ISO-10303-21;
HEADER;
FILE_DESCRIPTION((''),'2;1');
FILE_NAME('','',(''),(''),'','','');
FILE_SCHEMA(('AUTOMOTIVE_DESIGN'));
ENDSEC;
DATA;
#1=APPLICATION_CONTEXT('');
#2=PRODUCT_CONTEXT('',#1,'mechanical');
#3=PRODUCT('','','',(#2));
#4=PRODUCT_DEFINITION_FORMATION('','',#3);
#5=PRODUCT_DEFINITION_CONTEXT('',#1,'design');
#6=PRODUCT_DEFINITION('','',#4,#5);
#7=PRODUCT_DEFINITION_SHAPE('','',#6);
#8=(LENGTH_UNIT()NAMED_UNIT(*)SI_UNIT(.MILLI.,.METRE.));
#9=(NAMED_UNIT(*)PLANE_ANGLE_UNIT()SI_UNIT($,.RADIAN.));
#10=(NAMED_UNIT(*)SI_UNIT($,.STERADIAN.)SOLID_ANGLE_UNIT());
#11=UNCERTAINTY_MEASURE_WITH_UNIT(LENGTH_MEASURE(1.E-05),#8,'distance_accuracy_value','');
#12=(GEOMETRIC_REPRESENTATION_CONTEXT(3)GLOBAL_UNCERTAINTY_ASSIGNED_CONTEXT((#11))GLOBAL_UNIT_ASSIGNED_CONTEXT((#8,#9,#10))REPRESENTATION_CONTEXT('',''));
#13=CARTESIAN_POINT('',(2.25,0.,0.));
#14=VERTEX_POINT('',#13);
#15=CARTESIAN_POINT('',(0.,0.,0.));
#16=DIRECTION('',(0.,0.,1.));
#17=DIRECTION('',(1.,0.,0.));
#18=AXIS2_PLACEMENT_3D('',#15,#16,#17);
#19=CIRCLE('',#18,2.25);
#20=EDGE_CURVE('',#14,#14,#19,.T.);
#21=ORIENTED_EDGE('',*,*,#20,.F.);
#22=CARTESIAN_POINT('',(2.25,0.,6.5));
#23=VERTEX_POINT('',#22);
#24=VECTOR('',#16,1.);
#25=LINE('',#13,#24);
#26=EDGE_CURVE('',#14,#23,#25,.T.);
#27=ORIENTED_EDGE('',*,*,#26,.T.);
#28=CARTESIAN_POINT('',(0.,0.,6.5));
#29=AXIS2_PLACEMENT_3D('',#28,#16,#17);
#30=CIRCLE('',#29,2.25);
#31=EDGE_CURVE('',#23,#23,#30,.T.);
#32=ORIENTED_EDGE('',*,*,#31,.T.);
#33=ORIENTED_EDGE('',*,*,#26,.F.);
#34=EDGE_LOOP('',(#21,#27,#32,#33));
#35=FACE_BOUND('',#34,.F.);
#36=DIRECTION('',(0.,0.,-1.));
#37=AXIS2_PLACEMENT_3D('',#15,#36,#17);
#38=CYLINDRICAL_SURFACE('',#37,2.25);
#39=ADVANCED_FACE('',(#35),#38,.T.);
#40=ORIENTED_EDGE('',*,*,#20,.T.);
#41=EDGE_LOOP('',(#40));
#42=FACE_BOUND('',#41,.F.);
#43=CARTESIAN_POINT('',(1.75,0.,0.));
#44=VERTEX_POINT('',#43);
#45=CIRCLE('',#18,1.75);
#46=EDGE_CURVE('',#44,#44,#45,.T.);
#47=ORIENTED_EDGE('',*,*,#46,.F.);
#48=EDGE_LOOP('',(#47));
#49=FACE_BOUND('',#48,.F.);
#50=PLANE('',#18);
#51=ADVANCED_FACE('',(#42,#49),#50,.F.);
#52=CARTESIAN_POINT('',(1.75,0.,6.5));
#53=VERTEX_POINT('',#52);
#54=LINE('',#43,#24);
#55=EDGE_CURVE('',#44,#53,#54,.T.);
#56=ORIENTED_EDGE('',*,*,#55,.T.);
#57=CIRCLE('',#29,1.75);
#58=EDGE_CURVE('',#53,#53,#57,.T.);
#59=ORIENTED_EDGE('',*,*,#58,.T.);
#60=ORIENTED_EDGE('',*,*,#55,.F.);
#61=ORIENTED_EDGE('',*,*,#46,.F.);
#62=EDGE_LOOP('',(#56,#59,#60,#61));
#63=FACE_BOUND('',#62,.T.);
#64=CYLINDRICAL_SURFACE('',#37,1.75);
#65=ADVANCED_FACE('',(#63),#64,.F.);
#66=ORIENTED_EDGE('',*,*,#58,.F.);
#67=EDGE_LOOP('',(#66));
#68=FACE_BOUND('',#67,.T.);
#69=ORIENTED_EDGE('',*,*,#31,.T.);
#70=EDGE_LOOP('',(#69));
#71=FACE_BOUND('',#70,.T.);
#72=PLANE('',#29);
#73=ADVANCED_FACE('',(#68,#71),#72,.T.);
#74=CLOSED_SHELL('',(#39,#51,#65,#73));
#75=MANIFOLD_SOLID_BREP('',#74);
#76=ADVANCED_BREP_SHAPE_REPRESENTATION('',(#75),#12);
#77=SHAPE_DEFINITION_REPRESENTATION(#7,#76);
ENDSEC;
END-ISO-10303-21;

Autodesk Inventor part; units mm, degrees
ref_plane "YZ Plane" through (0, 0, 0) normal (1, 0, 0) x (0, 1, 0)
ref_plane "XZ Plane" through (0, 0, 0) normal (0, 1, 0) x (-1, 0, 0)
ref_plane "XY Plane" through (0, 0, 0) normal (0, 0, 1) x (1, 0, 0)
sketch "スケッチ1" plane through (0, 0, 0) normal (0, 0, 1) x (1, 0, 0)
  circle A0 centre (0, 0) radius 1.75
  circle A1 centre (0, 0) radius 2.25
  dimension "d0" = 3.5
  dimension "d1" = 4.5
extrude "押し出し1" add sketch "スケッチ1" along normal blind 6.5
properties part number "Parts_CoilSpring_CP 0.5-4.5-6.5"
